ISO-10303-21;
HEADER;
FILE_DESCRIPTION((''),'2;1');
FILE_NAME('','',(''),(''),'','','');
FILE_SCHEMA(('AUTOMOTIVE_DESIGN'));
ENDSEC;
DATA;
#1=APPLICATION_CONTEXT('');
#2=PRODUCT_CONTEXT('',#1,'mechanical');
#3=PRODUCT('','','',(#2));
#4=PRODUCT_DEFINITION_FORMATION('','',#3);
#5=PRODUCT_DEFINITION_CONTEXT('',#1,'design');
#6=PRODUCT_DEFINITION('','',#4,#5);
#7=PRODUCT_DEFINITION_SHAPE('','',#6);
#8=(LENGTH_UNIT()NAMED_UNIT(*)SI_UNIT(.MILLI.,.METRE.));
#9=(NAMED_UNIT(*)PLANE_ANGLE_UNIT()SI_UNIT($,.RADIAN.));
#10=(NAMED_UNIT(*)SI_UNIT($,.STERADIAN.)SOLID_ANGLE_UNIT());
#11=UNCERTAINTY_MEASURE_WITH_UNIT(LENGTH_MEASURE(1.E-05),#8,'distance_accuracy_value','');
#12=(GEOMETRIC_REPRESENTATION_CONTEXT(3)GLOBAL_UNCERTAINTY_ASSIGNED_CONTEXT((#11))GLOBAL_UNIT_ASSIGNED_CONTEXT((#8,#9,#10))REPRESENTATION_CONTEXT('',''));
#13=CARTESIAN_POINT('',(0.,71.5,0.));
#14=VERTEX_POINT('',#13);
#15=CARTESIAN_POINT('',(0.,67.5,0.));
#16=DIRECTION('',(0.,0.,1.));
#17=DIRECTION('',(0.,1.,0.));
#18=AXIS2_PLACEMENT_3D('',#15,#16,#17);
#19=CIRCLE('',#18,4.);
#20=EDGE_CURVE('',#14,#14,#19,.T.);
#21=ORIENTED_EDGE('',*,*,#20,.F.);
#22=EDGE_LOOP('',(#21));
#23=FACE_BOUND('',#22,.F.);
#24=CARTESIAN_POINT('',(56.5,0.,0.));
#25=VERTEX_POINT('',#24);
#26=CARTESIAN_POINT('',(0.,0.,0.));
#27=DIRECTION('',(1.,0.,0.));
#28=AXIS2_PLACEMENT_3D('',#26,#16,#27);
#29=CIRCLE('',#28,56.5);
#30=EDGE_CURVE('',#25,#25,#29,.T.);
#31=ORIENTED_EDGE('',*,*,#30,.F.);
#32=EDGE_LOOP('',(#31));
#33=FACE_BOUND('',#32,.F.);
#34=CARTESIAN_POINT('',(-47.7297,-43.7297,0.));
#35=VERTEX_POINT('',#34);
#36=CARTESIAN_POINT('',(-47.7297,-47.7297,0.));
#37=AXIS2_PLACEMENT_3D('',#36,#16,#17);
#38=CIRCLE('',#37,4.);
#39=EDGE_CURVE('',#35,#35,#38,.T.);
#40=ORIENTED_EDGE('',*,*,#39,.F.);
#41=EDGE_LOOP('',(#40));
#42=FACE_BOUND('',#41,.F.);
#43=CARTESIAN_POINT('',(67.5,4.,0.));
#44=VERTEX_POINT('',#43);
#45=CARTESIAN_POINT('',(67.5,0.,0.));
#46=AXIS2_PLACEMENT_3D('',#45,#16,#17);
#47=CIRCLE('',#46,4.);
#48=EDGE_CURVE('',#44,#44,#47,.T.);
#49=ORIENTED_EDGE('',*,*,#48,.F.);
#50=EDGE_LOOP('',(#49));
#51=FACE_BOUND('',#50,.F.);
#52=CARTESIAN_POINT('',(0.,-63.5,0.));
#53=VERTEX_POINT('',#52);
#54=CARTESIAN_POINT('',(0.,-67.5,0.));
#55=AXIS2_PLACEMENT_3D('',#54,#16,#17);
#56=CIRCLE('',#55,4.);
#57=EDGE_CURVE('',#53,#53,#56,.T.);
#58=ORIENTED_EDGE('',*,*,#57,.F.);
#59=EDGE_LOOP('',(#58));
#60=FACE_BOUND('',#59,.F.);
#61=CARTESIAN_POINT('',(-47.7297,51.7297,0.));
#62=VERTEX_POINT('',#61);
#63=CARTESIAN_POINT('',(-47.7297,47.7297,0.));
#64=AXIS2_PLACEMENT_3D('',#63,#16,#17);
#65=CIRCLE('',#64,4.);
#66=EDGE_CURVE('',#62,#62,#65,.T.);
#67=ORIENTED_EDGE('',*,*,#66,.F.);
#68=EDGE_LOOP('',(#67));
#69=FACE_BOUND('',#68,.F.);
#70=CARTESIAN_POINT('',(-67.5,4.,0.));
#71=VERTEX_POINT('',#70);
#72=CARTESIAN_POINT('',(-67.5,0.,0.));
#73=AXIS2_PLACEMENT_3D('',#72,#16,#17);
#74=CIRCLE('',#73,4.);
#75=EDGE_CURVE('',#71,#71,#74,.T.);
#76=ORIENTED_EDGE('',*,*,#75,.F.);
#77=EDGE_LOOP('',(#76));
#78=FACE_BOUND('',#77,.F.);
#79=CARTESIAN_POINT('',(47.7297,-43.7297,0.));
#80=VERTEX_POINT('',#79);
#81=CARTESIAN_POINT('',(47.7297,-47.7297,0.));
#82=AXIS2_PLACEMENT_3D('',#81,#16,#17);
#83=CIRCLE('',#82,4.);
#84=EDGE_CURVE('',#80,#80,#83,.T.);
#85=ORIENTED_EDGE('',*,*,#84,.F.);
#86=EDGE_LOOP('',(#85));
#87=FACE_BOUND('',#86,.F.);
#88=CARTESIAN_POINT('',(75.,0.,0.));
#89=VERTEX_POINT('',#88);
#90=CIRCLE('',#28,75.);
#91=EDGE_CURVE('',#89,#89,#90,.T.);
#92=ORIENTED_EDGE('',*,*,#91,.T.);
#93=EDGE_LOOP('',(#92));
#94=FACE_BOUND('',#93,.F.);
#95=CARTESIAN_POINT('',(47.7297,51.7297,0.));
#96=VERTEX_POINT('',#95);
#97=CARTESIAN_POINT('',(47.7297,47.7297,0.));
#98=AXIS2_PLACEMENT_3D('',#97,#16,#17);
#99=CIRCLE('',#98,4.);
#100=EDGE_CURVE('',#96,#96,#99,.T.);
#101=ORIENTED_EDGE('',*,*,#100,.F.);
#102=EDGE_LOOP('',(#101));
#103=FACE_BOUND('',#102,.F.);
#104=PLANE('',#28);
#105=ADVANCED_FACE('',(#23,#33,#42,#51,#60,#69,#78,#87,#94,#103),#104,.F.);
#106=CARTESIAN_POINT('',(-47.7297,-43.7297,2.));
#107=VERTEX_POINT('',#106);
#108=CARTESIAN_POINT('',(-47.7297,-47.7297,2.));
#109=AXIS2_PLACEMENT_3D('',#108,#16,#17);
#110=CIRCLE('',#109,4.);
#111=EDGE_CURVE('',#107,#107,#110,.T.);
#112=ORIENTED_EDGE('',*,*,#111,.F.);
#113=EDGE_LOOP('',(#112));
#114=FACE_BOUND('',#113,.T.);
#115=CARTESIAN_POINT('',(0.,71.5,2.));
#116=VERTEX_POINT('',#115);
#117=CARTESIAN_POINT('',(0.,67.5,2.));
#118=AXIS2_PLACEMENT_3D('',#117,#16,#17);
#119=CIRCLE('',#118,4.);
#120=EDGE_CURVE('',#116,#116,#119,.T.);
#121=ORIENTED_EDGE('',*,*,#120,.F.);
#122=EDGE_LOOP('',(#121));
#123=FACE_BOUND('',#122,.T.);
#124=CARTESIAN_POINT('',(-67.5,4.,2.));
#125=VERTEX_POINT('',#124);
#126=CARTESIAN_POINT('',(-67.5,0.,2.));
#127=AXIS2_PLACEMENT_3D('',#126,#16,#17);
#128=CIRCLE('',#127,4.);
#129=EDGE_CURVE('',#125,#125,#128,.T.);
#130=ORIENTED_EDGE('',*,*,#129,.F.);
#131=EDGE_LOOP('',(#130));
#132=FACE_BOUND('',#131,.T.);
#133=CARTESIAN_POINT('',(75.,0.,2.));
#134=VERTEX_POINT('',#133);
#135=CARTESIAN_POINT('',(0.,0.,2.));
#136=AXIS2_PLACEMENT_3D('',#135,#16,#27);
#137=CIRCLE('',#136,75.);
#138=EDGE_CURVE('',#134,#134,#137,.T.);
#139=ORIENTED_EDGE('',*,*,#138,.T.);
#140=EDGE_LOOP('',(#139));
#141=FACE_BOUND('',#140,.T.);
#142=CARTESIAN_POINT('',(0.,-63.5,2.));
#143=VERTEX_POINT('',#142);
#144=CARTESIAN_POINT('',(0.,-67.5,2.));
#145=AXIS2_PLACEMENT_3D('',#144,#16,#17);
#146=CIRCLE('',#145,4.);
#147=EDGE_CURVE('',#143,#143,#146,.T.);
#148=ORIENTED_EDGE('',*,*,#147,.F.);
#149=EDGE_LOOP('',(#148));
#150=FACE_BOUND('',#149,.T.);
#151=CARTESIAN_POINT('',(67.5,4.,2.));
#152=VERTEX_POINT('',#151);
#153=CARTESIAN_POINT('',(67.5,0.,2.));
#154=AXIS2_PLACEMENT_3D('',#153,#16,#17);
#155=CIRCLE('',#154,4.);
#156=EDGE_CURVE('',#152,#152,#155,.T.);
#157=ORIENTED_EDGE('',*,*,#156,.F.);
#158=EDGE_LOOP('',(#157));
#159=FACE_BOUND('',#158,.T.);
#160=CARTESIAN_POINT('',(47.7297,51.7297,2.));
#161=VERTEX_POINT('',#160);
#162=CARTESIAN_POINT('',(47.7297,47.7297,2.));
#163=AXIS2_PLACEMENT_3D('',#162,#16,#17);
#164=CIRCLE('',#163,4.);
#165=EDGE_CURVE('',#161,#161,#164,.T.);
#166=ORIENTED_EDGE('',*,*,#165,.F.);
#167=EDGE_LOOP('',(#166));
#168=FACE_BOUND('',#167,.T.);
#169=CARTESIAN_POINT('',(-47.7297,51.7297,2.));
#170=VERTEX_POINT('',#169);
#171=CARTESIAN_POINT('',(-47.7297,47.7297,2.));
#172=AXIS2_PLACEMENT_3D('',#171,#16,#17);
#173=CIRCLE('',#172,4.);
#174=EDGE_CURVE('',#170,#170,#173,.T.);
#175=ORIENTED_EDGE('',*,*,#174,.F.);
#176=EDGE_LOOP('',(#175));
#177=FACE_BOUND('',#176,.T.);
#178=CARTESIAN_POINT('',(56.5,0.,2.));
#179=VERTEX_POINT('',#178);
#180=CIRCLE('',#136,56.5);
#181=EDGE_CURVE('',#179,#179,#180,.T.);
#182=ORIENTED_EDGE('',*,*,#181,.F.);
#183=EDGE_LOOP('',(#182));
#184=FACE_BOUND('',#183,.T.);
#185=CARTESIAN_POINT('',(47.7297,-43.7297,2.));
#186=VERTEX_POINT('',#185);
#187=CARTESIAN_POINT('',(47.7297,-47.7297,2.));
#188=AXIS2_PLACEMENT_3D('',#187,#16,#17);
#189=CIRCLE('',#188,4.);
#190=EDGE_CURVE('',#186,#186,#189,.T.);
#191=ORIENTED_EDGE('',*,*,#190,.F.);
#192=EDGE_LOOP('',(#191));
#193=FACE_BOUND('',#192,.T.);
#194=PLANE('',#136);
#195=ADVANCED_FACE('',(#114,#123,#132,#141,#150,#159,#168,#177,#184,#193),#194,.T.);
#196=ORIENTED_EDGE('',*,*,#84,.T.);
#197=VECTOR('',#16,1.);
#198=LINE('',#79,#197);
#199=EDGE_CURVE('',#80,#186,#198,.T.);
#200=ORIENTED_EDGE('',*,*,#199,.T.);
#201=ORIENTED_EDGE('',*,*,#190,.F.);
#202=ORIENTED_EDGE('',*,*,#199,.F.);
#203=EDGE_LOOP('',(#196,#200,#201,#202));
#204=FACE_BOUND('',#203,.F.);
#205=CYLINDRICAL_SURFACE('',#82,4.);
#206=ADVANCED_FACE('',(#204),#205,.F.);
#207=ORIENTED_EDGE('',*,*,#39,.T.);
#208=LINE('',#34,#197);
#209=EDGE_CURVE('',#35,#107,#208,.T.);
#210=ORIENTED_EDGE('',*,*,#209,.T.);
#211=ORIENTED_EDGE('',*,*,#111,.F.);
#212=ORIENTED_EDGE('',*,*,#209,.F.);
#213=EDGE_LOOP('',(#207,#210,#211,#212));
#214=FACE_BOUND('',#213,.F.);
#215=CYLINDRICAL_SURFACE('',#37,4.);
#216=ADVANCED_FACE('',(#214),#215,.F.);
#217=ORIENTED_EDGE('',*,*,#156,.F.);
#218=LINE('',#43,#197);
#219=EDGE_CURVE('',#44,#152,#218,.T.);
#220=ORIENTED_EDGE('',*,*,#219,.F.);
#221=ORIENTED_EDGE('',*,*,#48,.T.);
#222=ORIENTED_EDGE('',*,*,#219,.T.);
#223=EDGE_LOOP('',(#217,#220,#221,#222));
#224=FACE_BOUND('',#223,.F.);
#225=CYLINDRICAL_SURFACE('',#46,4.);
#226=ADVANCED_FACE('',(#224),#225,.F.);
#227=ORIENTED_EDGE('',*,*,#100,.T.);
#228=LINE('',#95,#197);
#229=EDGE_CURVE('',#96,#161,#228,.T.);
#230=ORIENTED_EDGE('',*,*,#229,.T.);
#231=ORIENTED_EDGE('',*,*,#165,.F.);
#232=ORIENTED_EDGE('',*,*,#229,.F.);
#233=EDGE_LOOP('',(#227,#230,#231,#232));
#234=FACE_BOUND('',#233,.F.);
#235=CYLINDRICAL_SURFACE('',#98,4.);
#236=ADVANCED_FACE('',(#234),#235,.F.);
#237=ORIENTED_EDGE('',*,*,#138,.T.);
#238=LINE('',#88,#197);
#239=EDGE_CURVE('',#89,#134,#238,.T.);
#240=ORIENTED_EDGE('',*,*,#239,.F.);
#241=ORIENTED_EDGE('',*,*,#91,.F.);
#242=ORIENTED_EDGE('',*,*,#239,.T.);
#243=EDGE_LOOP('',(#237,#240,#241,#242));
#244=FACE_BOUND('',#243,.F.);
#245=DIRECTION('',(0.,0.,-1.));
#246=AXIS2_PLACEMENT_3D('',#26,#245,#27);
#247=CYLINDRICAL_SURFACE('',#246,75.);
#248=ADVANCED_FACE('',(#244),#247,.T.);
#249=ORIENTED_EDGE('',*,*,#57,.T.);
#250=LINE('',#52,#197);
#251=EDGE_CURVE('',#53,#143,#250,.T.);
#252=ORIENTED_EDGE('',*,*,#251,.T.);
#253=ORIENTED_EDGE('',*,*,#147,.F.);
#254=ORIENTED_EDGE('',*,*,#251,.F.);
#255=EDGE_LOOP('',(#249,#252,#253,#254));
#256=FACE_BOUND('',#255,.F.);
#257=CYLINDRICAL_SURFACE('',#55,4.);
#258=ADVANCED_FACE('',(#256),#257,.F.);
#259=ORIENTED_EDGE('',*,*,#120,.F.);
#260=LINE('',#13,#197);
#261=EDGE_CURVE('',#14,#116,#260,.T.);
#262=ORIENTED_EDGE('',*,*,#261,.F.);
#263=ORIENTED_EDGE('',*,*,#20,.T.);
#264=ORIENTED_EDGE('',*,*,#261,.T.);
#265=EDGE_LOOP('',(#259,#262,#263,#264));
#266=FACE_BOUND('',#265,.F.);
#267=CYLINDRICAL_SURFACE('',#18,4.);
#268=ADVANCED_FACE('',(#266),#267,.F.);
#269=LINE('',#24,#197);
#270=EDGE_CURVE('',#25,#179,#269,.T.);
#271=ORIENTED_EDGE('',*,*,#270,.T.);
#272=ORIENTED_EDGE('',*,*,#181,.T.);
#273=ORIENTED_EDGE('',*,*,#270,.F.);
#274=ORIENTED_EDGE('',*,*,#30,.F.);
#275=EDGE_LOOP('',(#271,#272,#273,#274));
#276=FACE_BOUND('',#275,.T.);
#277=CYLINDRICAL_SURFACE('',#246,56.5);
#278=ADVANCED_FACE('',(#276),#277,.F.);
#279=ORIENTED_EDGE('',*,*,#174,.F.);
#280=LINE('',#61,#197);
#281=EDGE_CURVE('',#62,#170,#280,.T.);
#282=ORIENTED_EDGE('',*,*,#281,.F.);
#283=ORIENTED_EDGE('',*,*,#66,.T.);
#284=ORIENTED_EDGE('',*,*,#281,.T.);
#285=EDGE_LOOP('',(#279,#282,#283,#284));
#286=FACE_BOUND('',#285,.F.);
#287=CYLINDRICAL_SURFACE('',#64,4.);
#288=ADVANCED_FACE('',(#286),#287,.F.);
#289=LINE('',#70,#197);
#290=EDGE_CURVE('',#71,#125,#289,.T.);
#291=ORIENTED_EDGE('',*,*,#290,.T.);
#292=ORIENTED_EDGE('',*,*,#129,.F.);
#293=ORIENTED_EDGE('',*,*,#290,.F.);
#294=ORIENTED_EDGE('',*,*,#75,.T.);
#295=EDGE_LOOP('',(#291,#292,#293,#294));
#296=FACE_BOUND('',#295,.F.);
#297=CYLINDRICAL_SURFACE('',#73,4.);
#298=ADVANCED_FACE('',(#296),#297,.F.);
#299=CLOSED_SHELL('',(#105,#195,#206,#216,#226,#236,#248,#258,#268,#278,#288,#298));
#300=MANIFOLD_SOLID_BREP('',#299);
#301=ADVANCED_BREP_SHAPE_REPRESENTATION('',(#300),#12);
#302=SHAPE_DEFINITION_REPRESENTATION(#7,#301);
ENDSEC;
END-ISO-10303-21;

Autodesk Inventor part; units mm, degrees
ref_plane "YZ Plane" through (0, 0, 0) normal (1, 0, 0) x (0, 1, 0)
ref_plane "XZ Plane" through (0, 0, 0) normal (0, 1, 0) x (-1, 0, 0)
ref_plane "XY Plane" through (0, 0, 0) normal (0, 0, 1) x (1, 0, 0)
sketch "Sketch1" plane through (0, 0, 0) normal (0, 0, 1) x (1, 0, 0)
  circle A0 centre (0, 0) radius 56.5
  circle A1 centre (0, 0) radius 75
  circle A2 centre (0, 0) radius 67.5
  circle A3 centre (0, 67.5) radius 4
  circle A4 centre (47.7297, 47.7297) radius 4
  circle A5 centre (67.5, 0) radius 4
  circle A6 centre (47.7297, -47.7297) radius 4
  circle A7 centre (0, -67.5) radius 4
  circle A8 centre (-47.7297, -47.7297) radius 4
  circle A9 centre (-67.5, 0) radius 4
  circle A10 centre (-47.7297, 47.7297) radius 4
  circle A11 centre (0, 0) radius 59.5
  circle A12 centre (0, 0) radius 61.5
  dimension "d4" = 135
  dimension "d0" = 113
  dimension "d1" = 150
  dimension "d5" = 8
  dimension "d8" = 360
  dimension "d17" = 119
  dimension "d18" = 123
extrude "Extrusion1" add sketch "Sketch1" along normal blind 2 contours A1 | A2 A5 | A2 A5 | A5 A2 A6 A7 A8 A9 A10 A3 A4 | A4 A2 | A2 A4 | A6 A2 | A2 A6 | A3 A2 | A2 A3 | A7 A2 | A2 A7 | A10 A2 | A2 A10 | A8 A2 | A2 A8 | A9 A2 | A2 A9 | A11 | A12
hole "Hole2" at (0, 67.5, 0) at (47.7297, 47.7297, 0) at (67.5, 0, 0) at (47.7297, -47.7297, 0) at (0, -67.5, 0) at (-47.7297, -47.7297, 0) at (-67.5, 0, 0) at (-47.7297, 47.7297, 0) direction (0, 0, 1) diameter 8 end through all
properties part number "stainless steel end" material "Stainless Steel"
